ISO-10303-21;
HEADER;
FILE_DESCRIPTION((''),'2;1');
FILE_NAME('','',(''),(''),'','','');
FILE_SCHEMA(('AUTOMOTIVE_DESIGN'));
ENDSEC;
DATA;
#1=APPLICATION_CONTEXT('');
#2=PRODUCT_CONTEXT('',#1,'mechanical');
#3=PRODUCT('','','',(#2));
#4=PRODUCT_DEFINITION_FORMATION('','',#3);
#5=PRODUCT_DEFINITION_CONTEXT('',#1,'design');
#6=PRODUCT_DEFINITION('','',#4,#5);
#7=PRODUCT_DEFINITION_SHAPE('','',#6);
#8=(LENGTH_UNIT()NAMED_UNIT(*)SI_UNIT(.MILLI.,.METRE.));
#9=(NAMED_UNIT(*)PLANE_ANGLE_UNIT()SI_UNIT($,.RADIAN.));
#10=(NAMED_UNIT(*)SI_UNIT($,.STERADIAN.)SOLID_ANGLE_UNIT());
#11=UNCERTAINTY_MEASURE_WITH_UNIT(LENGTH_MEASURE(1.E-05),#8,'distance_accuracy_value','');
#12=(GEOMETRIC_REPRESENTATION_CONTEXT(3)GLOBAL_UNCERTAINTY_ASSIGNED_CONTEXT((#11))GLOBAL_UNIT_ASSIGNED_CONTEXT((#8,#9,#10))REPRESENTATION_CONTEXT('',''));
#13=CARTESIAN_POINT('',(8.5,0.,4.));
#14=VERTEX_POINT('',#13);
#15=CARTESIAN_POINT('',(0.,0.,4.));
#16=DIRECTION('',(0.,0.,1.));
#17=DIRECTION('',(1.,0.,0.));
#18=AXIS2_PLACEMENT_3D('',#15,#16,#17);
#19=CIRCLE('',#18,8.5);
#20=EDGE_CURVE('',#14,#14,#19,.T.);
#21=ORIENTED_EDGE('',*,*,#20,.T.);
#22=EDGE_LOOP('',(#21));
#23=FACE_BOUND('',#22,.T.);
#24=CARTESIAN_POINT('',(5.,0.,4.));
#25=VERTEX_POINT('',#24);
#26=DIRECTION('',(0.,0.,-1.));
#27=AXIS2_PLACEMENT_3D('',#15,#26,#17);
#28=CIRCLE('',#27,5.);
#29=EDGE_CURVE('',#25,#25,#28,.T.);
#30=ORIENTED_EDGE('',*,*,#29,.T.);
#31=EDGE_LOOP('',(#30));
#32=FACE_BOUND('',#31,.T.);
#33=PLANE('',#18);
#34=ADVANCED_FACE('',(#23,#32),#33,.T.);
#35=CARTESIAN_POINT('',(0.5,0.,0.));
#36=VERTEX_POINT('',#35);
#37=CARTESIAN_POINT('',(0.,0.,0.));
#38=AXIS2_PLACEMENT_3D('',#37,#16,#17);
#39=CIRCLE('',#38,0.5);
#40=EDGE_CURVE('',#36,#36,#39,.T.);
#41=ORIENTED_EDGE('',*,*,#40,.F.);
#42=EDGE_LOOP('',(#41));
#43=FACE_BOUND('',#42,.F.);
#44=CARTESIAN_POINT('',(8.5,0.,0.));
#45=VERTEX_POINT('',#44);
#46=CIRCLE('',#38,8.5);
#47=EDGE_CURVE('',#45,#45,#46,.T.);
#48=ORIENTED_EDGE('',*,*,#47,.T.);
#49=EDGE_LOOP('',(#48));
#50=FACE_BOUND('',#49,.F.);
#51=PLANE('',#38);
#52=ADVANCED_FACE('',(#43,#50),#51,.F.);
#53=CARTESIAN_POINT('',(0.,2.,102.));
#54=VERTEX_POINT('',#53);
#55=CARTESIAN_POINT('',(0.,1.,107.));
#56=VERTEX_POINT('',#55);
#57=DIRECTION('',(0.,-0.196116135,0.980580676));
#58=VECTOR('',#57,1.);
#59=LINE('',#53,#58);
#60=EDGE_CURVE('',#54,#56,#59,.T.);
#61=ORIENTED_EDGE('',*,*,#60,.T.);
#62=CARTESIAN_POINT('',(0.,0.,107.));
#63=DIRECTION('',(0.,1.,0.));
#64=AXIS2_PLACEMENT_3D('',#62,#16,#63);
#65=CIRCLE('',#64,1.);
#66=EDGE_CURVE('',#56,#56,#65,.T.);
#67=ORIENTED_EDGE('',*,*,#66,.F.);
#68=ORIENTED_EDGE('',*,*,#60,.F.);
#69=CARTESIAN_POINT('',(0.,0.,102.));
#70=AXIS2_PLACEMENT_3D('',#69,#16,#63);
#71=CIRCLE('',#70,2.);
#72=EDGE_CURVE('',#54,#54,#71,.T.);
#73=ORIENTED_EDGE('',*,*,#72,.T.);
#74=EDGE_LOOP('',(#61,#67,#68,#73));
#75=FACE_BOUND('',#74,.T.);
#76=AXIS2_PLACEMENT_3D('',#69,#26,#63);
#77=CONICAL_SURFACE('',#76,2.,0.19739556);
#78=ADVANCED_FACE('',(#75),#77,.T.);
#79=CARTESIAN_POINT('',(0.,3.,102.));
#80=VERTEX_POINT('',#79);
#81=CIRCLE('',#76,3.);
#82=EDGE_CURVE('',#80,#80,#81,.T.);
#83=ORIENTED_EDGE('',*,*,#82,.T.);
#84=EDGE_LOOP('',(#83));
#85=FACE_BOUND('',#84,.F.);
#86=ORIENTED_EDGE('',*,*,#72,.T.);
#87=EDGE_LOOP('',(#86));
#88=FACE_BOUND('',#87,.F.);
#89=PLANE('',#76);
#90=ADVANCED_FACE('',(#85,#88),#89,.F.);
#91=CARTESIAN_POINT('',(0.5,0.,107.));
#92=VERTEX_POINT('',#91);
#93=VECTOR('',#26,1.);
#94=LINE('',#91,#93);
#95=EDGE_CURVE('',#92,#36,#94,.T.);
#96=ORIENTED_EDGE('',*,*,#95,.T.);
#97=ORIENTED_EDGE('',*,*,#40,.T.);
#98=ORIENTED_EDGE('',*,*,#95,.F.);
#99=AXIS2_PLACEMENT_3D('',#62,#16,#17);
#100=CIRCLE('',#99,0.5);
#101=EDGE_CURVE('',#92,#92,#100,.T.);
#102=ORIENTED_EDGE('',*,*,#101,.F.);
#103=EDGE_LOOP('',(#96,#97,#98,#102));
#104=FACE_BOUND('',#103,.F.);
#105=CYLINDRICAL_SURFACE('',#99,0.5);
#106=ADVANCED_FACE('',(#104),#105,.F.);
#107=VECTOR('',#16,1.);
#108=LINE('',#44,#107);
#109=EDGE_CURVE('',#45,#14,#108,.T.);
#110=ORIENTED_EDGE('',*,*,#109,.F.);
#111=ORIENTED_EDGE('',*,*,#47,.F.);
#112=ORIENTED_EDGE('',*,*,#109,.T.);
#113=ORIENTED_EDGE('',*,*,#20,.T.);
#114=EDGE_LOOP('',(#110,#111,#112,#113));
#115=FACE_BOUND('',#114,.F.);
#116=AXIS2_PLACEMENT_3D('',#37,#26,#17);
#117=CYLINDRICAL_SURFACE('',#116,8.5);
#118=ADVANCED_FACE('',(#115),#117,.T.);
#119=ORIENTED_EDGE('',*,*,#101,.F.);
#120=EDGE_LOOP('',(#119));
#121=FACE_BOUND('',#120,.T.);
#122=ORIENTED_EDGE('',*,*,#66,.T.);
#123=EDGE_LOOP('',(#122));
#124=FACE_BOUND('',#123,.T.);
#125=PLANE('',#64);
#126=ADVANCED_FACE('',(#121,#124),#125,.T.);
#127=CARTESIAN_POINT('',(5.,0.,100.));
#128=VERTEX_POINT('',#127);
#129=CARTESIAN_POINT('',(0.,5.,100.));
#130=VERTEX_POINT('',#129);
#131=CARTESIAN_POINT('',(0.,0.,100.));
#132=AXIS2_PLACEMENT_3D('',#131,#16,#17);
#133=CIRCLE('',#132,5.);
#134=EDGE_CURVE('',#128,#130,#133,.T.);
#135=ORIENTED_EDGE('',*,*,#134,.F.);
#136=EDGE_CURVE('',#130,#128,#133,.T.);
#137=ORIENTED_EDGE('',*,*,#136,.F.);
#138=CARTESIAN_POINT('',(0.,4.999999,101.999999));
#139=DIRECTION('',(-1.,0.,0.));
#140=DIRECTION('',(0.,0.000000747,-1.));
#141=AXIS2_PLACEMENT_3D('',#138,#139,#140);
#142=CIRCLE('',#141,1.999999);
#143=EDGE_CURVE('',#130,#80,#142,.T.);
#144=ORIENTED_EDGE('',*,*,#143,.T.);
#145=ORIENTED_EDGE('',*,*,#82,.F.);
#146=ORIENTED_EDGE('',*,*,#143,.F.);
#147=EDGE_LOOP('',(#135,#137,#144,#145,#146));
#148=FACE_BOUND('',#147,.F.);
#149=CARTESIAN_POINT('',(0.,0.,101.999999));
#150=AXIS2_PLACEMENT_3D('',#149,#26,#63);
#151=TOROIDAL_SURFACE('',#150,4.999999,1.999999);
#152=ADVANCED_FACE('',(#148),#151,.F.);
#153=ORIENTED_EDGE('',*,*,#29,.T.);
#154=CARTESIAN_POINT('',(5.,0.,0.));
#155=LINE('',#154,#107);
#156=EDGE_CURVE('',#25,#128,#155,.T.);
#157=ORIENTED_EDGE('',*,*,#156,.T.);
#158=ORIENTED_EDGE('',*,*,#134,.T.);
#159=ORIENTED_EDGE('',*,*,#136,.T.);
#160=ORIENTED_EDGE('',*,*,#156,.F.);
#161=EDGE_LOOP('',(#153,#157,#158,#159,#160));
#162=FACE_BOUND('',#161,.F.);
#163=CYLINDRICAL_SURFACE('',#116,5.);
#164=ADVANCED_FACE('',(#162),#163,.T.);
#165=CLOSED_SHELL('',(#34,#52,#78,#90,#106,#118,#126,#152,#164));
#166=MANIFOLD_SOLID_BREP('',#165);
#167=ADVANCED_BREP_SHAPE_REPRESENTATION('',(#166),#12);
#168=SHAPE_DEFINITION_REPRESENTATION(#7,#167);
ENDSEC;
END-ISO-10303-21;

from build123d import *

# Parameters (mm, degrees)
F0_R     = 8.5
F1_DEPTH = 4
F2_R     = 5
F3_DEPTH = 100
F8_R     = 0.5
F9_DEPTH = 129.4


with BuildPart() as f1:
    # F0 (on Top) → F1 (new body)
    with BuildSketch(Plane.XY):
        Circle(F0_R)
    extrude(amount=F1_DEPTH)

    # F2 (on Top) → F3 (join)
    with BuildSketch(Plane.XY):
        Circle(F2_R)
    extrude(amount=F3_DEPTH)

    # F4 (on Right) → F5 (revolve)
    with BuildSketch(Plane.YZ):
        with BuildLine():
            Line((3, 102), (0, 102))
            Line((0, 102), (0, 100))
            Line((0, 100), (5, 100))
            ThreePointArc((5, 100), (3.585786, 100.585786), (3, 102))
        make_face()
    revolve(axis=Axis((0, 0, 101), (0, 0, -1)))

    # F6 (on Right) → F7 (revolve)
    with BuildSketch(Plane.YZ):
        Polygon((0, 107), (0, 102), (2, 102), (1, 107), align=None)
    revolve(axis=Axis((0, 0, 104.5), (0, 0, 1)))

    # F8 (on face) → F9 (cut)
    with BuildSketch(Plane.XY.offset(107)):
        Circle(F8_R)
    extrude(amount=-F9_DEPTH, mode=Mode.SUBTRACT)


solid = f1.part
